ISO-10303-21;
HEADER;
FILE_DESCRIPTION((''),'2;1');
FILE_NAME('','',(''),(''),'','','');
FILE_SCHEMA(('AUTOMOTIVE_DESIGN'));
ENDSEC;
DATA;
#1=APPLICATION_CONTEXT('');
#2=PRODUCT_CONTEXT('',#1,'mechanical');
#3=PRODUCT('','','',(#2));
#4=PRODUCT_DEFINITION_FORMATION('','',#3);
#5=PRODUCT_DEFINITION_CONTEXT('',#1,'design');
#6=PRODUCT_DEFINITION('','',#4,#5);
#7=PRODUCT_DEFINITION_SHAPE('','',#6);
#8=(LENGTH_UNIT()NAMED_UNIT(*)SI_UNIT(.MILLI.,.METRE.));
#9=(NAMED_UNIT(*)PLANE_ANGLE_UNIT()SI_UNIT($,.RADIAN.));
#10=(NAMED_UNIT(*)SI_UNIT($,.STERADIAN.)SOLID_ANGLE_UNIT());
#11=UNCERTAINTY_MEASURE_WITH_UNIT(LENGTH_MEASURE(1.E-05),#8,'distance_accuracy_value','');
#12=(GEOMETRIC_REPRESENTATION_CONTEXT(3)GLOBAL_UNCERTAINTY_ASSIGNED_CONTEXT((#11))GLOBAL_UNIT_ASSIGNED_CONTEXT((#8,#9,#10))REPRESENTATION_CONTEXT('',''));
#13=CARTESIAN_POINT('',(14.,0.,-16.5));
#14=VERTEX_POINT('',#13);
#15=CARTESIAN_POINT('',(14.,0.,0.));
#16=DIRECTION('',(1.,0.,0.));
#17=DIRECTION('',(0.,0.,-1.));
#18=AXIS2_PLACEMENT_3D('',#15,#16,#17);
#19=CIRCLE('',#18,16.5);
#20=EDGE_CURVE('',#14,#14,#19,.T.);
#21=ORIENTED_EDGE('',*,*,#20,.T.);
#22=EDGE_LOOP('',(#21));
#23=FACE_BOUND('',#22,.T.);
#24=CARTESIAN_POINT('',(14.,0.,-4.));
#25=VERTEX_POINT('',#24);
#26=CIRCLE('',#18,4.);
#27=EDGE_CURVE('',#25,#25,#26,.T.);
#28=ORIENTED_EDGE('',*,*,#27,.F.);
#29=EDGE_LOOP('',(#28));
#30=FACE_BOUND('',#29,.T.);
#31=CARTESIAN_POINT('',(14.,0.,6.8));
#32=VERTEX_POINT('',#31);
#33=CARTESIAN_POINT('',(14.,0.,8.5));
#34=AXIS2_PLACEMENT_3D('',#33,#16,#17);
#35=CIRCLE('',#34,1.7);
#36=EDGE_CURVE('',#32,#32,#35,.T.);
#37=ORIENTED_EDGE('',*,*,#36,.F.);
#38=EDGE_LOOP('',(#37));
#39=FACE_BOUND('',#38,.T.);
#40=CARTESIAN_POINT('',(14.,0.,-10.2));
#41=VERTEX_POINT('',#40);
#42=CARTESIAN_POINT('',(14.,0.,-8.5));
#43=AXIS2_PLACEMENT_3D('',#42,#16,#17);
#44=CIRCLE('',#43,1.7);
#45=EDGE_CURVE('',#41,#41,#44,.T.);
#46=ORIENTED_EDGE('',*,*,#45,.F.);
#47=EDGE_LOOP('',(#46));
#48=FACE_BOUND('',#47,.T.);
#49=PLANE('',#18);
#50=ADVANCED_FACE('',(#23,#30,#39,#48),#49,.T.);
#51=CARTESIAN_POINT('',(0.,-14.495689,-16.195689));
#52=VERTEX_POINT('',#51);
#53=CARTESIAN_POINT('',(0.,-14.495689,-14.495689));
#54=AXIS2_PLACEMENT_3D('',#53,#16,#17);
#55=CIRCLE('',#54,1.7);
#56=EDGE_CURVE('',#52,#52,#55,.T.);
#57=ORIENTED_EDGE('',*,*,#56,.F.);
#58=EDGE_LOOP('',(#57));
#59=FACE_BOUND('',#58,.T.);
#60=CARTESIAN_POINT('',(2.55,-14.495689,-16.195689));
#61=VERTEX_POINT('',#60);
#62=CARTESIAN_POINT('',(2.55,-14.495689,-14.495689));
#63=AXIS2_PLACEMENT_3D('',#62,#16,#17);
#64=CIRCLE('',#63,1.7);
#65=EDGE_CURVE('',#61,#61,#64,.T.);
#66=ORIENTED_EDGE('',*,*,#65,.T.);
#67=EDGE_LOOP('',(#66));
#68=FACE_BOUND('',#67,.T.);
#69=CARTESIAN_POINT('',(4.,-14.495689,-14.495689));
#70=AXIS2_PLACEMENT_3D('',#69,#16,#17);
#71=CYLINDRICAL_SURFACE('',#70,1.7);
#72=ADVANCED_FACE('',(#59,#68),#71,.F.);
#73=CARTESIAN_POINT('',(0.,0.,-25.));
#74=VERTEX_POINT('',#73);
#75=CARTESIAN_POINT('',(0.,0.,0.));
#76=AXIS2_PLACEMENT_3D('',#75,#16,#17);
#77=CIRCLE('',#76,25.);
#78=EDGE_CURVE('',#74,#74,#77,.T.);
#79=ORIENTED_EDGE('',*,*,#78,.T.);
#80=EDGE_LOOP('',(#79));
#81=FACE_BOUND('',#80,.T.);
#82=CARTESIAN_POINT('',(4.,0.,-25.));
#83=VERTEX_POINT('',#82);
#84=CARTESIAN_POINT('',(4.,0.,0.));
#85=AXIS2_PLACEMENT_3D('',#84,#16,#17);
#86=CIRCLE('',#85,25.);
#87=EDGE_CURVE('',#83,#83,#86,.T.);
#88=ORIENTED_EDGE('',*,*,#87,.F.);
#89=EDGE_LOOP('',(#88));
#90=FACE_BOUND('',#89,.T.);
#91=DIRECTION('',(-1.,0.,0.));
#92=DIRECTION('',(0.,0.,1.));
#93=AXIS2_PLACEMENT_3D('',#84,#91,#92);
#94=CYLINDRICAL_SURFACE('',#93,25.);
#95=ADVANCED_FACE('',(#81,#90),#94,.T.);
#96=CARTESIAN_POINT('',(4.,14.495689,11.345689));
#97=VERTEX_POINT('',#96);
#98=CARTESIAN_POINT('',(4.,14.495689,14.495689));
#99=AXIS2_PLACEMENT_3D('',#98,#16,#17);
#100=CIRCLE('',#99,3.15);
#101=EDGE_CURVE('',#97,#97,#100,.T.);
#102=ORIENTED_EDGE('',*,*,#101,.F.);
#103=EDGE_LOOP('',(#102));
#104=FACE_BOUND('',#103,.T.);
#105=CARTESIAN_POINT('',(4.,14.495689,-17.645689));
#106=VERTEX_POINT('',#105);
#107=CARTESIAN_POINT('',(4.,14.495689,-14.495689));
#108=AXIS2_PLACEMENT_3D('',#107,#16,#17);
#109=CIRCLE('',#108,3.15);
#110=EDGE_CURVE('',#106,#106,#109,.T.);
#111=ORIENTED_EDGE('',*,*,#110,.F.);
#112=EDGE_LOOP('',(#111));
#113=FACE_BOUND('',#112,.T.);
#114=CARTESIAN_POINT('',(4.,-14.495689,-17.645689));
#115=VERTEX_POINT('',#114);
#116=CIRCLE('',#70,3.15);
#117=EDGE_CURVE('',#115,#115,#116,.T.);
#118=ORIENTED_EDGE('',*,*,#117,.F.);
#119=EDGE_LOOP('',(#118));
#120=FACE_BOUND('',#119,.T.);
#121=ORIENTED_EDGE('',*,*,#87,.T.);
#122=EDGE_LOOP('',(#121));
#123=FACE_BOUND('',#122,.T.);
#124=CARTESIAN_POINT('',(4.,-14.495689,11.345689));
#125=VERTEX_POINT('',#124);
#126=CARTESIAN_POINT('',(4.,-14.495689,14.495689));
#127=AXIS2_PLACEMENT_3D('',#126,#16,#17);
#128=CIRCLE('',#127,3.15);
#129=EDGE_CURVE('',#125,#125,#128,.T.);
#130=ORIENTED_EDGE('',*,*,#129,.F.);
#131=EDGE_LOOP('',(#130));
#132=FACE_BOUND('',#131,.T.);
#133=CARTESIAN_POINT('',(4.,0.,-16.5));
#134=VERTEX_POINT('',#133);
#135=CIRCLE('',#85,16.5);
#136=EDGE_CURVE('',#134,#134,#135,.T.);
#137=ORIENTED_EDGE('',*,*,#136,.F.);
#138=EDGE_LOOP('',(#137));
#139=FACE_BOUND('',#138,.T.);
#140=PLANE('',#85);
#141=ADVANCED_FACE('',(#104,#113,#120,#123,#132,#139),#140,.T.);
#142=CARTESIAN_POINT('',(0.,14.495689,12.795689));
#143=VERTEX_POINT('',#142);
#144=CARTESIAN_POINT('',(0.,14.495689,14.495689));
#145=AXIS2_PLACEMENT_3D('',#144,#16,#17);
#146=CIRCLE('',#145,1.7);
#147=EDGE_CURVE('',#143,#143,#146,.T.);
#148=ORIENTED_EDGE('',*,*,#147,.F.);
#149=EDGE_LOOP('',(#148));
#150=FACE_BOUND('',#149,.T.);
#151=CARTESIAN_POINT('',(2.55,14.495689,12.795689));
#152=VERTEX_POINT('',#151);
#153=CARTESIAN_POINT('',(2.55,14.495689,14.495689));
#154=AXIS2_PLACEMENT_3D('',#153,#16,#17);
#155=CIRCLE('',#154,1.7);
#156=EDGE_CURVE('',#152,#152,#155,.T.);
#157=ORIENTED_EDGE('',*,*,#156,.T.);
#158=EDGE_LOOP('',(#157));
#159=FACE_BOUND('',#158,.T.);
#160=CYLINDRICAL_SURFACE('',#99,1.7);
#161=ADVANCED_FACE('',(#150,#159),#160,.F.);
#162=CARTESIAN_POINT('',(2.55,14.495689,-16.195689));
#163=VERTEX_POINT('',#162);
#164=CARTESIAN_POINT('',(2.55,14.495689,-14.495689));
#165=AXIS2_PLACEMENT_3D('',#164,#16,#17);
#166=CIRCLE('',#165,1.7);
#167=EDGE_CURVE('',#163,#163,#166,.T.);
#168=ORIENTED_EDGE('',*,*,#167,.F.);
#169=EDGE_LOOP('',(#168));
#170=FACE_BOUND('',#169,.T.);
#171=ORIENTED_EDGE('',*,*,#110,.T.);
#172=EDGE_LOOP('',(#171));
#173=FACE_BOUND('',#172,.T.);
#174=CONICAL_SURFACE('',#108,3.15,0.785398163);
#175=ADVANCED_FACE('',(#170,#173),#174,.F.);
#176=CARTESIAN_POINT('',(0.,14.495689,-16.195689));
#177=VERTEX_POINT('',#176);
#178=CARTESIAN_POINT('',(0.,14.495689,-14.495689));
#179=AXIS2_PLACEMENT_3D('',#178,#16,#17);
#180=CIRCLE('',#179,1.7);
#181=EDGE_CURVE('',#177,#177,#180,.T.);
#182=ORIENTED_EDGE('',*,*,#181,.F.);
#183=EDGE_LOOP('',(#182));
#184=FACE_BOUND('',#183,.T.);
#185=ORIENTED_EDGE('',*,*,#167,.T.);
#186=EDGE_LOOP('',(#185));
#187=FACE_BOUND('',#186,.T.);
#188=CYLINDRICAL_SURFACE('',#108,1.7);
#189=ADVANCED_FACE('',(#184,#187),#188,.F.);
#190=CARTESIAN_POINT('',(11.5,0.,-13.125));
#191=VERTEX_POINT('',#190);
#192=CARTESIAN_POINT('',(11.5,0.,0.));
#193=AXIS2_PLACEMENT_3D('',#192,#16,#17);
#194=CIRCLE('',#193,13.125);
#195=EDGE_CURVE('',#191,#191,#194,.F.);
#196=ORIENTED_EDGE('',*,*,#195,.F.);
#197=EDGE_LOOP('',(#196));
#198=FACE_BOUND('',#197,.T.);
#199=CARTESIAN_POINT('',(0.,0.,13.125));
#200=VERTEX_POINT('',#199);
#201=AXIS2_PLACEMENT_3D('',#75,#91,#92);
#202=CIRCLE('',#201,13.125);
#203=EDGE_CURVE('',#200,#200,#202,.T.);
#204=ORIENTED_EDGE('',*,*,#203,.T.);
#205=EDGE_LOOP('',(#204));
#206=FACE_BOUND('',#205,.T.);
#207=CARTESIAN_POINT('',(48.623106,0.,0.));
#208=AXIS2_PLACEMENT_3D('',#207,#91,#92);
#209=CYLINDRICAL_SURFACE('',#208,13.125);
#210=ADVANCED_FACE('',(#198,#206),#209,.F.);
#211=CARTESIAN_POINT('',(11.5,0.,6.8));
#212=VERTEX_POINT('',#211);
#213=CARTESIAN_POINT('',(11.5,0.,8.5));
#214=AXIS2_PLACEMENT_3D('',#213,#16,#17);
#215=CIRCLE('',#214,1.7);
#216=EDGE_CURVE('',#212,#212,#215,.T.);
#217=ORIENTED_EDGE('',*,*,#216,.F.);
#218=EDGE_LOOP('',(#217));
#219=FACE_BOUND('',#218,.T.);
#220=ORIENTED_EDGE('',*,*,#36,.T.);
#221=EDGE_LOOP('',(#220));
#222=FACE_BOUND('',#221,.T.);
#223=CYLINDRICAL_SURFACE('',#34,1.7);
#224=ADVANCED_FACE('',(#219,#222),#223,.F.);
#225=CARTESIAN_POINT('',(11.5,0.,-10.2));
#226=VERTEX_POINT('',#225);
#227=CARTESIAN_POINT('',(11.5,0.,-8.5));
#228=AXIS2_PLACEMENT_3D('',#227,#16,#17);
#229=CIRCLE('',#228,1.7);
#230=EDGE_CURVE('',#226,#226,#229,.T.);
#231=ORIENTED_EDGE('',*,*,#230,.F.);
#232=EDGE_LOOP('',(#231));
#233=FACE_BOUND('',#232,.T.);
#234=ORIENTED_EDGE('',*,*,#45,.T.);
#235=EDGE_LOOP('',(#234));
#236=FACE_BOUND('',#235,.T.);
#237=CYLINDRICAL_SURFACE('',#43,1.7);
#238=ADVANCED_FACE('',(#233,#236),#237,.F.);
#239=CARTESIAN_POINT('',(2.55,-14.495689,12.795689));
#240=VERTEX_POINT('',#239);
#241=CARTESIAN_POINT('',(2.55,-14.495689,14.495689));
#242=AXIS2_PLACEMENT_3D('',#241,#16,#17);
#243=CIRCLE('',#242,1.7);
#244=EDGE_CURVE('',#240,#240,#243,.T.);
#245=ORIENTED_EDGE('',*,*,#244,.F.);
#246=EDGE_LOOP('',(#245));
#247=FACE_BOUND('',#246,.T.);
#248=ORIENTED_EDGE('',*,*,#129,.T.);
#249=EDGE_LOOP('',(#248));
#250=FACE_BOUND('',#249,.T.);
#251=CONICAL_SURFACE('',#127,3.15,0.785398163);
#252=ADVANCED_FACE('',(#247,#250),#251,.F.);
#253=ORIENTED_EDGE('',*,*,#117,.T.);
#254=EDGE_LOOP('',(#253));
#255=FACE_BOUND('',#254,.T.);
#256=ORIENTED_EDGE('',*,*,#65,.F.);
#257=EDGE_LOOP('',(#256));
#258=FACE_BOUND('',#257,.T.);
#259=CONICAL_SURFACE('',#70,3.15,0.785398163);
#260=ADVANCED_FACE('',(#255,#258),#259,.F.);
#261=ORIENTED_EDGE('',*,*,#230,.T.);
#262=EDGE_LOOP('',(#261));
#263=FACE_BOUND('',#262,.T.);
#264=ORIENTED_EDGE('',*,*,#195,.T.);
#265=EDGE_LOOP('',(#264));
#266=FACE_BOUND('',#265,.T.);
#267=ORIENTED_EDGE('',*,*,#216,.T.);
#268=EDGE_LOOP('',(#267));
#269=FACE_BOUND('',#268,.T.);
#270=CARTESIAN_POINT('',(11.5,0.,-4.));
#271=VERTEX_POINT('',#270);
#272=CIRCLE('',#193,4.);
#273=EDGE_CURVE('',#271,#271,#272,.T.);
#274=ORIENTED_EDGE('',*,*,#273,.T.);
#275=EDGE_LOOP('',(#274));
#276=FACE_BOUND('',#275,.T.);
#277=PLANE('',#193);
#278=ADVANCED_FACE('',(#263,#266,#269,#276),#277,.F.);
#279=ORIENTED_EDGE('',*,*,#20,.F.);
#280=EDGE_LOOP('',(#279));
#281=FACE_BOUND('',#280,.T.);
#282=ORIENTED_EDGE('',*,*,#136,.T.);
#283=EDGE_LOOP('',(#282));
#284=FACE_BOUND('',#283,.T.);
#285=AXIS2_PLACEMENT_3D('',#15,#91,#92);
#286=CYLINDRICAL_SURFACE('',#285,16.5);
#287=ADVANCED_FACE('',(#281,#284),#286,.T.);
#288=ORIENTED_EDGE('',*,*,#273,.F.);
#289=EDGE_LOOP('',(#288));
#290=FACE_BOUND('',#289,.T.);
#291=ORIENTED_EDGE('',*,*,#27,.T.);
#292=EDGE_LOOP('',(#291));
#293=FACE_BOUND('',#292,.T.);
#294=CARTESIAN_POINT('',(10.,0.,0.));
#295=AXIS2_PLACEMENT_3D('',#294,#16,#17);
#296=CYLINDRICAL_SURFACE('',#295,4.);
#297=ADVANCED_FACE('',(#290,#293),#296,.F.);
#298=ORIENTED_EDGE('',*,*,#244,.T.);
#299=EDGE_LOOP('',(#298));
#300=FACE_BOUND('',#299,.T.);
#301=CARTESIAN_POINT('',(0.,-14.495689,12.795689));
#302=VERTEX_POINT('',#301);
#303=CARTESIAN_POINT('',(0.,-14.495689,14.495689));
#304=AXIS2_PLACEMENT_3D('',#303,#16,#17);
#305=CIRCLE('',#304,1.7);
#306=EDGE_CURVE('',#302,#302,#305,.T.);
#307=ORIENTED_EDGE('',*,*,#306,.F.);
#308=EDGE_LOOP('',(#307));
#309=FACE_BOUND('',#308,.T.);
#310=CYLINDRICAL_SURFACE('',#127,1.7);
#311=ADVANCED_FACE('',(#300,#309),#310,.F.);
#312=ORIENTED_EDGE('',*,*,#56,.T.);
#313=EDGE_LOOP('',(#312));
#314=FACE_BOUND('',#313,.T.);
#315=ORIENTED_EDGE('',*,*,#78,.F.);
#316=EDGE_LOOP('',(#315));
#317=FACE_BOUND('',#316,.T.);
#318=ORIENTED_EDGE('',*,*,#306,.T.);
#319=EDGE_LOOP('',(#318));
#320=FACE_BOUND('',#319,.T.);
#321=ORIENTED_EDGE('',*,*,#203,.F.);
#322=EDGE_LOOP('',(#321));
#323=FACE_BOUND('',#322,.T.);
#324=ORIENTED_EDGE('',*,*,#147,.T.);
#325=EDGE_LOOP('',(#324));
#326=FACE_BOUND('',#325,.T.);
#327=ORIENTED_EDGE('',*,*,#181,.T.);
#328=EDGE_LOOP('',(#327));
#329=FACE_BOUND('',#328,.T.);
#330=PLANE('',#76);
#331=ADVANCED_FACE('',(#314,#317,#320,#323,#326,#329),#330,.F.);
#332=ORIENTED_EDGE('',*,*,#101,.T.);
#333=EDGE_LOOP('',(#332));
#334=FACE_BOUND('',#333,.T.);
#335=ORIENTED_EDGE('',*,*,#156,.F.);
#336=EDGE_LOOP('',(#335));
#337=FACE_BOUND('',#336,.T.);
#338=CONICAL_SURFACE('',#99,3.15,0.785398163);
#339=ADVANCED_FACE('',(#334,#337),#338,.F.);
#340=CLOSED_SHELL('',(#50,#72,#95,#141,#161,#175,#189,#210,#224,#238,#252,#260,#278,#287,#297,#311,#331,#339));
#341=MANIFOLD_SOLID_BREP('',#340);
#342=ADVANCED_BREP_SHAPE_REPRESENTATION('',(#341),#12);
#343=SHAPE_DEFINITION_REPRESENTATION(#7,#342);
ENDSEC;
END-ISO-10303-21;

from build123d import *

# Parameters (mm, degrees)
SKETCH1_R                                       = 25
BOSS_EXTRUDE1_DEPTH                             = 4
SKETCH2_R                                       = 16.5
BOSS_EXTRUDE2_DEPTH                             = 10
SKETCH3_R                                       = 12.5
CUT_EXTRUDE1_DEPTH                              = 11.5
SKETCH4_R                                       = 4
CUT_EXTRUDE2_DEPTH                              = 4
M3_CLEARANCE_HOLE1_D                            = 3.4
M3_CLEARANCE_HOLE1_DEPTH                        = 10
CSK_FOR_M3_FLAT_HEAD_MACHINE_SCREW1_D           = 3.4
CSK_FOR_M3_FLAT_HEAD_MACHINE_SCREW1_CSINK_D     = 6.3
CSK_FOR_M3_FLAT_HEAD_MACHINE_SCREW1_CSINK_ANGLE = 90
CIRPATTERN1_COUNT                               = 4
SKETCH10_R                                      = 13.125
CUT_EXTRUDE3_DEPTH                              = 11.5


with BuildPart() as part:
    # Sketch1 → Boss-Extrude1 (new body)
    with BuildSketch(Plane(origin=(0, 0, 0), x_dir=(0, 0, -1), z_dir=(1, 0, 0))):
        Circle(SKETCH1_R)
    extrude(amount=BOSS_EXTRUDE1_DEPTH)

    # Sketch2 → Boss-Extrude2 (add)
    with BuildSketch(Plane(origin=(4, 0, 0), x_dir=(0, 0, -1), z_dir=(1, 0, 0))):
        Circle(SKETCH2_R)
    extrude(amount=BOSS_EXTRUDE2_DEPTH)

    # Sketch3 → Cut-Extrude1 (cut)
    with BuildSketch(Plane.ZY):
        Circle(SKETCH3_R)
    extrude(amount=-CUT_EXTRUDE1_DEPTH, mode=Mode.SUBTRACT)

    # Sketch4 → Cut-Extrude2 (cut)
    with BuildSketch(Plane(origin=(14, 0, 0), x_dir=(0, 0, -1), z_dir=(1, 0, 0))):
        Circle(SKETCH4_R)
    extrude(amount=-CUT_EXTRUDE2_DEPTH, mode=Mode.SUBTRACT)

    # M3 Clearance Hole1
    with Locations(Plane(origin=(14, 0, 0), x_dir=(0, 0, -1), z_dir=(1, 0, 0))):
        with Locations((8.5, 0), (-8.5, 0)):
            Hole(M3_CLEARANCE_HOLE1_D / 2, depth=M3_CLEARANCE_HOLE1_DEPTH)

    # CSK for M3 Flat Head Machine Screw1 (through all)
    with Locations(Plane(origin=(4, 0, 0), x_dir=(0, 0, -1), z_dir=(1, 0, 0))):
        with Locations((-14.495689014, -14.495689014)):
            csk_for_m3_flat_head_machine_screw1 = CounterSinkHole(CSK_FOR_M3_FLAT_HEAD_MACHINE_SCREW1_D / 2, CSK_FOR_M3_FLAT_HEAD_MACHINE_SCREW1_CSINK_D / 2, counter_sink_angle=CSK_FOR_M3_FLAT_HEAD_MACHINE_SCREW1_CSINK_ANGLE)

    # CirPattern1: CSK for M3 Flat Head Machine Screw1 ×4 about axis
    cirpattern1_axis = Axis((0, 0, 0), (1, 0, 0))
    for i in range(1, CIRPATTERN1_COUNT):
        add(csk_for_m3_flat_head_machine_screw1.rotate(cirpattern1_axis, i * 360 / CIRPATTERN1_COUNT), mode=Mode.SUBTRACT)

    # Sketch10 → Cut-Extrude3 (cut)
    with BuildSketch(Plane.ZY):
        Circle(SKETCH10_R)
    extrude(amount=-CUT_EXTRUDE3_DEPTH, mode=Mode.SUBTRACT)


solid = part.part
